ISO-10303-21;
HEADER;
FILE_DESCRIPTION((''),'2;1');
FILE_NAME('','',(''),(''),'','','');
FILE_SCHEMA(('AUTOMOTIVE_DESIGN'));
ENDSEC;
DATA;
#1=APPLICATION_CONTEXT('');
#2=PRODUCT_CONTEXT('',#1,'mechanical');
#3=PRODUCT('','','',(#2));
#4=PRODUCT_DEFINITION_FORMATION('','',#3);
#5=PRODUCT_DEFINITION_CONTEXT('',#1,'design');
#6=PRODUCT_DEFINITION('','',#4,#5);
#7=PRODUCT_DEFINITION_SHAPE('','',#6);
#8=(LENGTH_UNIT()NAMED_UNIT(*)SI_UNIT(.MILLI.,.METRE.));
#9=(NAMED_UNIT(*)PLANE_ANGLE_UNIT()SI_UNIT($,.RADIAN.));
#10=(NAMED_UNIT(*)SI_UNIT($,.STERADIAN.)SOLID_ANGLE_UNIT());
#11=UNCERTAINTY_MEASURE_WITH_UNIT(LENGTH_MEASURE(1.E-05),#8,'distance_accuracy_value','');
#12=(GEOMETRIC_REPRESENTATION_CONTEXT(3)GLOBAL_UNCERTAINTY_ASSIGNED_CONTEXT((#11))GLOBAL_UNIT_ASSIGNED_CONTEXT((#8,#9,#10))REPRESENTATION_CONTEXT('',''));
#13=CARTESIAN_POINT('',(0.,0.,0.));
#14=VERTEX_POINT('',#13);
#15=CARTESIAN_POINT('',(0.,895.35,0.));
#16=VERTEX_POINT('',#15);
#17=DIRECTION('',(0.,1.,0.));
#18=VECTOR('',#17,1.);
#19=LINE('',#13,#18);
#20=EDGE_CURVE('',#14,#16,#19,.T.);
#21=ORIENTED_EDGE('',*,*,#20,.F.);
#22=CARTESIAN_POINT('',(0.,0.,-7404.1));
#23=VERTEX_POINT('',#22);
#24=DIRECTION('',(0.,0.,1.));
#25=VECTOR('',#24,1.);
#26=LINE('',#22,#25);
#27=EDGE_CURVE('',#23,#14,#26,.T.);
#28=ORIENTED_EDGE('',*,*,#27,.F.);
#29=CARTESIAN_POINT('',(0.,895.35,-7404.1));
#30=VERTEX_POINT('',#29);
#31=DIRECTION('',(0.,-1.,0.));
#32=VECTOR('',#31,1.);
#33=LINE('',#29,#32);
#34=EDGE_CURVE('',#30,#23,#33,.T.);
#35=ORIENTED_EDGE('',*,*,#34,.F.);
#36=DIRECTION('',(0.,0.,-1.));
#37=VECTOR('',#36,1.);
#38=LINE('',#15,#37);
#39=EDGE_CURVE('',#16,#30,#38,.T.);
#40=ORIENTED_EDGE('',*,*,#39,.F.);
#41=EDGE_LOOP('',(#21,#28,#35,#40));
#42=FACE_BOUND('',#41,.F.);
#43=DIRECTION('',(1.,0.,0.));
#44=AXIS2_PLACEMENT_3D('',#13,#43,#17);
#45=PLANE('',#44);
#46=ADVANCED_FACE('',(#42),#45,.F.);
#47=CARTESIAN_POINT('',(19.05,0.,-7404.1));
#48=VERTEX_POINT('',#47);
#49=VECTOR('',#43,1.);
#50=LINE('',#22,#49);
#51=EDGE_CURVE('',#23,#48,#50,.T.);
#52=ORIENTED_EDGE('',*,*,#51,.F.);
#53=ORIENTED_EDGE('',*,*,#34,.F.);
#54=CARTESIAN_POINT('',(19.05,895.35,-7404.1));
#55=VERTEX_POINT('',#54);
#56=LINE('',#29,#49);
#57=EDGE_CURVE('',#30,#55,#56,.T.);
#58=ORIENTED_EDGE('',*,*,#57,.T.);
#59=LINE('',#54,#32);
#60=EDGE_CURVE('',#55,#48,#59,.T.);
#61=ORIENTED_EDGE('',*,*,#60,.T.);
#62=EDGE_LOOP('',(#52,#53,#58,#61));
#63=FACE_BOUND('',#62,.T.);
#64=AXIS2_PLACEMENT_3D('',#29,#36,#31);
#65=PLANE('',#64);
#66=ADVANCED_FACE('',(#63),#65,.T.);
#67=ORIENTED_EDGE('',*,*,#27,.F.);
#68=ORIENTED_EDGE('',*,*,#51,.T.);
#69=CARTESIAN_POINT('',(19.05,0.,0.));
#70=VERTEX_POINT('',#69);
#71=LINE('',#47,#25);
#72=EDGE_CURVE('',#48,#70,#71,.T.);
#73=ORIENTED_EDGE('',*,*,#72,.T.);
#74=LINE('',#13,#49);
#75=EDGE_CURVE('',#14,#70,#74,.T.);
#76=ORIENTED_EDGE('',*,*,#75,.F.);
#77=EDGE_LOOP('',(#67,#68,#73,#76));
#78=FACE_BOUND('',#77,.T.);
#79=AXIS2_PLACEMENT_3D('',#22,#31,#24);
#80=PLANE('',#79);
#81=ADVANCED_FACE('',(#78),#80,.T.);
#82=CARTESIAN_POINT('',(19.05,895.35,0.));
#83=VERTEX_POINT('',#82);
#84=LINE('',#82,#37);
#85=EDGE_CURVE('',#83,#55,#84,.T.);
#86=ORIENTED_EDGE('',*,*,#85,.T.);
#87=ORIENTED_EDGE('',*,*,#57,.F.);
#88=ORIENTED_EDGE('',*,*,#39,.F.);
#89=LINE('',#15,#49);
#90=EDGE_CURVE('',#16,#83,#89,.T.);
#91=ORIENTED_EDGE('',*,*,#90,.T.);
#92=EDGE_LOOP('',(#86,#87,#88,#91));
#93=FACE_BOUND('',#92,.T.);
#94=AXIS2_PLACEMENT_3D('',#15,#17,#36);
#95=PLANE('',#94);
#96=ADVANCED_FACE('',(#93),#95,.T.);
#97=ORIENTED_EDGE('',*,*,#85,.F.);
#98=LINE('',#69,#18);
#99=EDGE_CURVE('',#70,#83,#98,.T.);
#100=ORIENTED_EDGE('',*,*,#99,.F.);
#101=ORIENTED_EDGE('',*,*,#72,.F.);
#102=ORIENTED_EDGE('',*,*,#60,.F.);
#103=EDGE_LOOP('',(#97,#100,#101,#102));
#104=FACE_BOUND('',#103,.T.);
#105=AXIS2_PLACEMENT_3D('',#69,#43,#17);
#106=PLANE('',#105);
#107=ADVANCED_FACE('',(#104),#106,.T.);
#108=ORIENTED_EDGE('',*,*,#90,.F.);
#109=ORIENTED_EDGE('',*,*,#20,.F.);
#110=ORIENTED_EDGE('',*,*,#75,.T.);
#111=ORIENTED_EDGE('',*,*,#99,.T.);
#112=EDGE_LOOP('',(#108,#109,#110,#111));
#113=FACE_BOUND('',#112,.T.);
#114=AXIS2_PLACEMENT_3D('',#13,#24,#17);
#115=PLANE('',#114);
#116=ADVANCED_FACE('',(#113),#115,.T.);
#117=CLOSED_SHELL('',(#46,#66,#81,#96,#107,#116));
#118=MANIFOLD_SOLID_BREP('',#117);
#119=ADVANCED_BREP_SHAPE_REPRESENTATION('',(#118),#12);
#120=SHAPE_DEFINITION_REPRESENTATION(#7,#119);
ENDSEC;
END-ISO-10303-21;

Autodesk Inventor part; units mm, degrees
ref_plane "YZ Plane" through (0, 0, 0) normal (1, 0, 0) x (0, 1, 0)
ref_plane "XZ Plane" through (0, 0, 0) normal (0, 1, 0) x (-1, 0, 0)
ref_plane "XY Plane" through (0, 0, 0) normal (0, 0, 1) x (1, 0, 0)
sketch "Sketch1" plane through (0, 0, 0) normal (1, 0, 0) x (0, 1, 0)
  line L0 (0, 0) -> (895.35, 0)
  line L1 (895.35, 0) -> (895.35, -7404.1)
  line L2 (895.35, -7404.1) -> (0, -7404.1)
  line L3 (0, -7404.1) -> (0, 0)
  dimension "d2" = 895.35
  dimension "d3" = 7404.1
extrude "Extrusion1" add sketch "Sketch1" along normal blind 19.05
properties part number "Knee_Wall" material "Concrete"
